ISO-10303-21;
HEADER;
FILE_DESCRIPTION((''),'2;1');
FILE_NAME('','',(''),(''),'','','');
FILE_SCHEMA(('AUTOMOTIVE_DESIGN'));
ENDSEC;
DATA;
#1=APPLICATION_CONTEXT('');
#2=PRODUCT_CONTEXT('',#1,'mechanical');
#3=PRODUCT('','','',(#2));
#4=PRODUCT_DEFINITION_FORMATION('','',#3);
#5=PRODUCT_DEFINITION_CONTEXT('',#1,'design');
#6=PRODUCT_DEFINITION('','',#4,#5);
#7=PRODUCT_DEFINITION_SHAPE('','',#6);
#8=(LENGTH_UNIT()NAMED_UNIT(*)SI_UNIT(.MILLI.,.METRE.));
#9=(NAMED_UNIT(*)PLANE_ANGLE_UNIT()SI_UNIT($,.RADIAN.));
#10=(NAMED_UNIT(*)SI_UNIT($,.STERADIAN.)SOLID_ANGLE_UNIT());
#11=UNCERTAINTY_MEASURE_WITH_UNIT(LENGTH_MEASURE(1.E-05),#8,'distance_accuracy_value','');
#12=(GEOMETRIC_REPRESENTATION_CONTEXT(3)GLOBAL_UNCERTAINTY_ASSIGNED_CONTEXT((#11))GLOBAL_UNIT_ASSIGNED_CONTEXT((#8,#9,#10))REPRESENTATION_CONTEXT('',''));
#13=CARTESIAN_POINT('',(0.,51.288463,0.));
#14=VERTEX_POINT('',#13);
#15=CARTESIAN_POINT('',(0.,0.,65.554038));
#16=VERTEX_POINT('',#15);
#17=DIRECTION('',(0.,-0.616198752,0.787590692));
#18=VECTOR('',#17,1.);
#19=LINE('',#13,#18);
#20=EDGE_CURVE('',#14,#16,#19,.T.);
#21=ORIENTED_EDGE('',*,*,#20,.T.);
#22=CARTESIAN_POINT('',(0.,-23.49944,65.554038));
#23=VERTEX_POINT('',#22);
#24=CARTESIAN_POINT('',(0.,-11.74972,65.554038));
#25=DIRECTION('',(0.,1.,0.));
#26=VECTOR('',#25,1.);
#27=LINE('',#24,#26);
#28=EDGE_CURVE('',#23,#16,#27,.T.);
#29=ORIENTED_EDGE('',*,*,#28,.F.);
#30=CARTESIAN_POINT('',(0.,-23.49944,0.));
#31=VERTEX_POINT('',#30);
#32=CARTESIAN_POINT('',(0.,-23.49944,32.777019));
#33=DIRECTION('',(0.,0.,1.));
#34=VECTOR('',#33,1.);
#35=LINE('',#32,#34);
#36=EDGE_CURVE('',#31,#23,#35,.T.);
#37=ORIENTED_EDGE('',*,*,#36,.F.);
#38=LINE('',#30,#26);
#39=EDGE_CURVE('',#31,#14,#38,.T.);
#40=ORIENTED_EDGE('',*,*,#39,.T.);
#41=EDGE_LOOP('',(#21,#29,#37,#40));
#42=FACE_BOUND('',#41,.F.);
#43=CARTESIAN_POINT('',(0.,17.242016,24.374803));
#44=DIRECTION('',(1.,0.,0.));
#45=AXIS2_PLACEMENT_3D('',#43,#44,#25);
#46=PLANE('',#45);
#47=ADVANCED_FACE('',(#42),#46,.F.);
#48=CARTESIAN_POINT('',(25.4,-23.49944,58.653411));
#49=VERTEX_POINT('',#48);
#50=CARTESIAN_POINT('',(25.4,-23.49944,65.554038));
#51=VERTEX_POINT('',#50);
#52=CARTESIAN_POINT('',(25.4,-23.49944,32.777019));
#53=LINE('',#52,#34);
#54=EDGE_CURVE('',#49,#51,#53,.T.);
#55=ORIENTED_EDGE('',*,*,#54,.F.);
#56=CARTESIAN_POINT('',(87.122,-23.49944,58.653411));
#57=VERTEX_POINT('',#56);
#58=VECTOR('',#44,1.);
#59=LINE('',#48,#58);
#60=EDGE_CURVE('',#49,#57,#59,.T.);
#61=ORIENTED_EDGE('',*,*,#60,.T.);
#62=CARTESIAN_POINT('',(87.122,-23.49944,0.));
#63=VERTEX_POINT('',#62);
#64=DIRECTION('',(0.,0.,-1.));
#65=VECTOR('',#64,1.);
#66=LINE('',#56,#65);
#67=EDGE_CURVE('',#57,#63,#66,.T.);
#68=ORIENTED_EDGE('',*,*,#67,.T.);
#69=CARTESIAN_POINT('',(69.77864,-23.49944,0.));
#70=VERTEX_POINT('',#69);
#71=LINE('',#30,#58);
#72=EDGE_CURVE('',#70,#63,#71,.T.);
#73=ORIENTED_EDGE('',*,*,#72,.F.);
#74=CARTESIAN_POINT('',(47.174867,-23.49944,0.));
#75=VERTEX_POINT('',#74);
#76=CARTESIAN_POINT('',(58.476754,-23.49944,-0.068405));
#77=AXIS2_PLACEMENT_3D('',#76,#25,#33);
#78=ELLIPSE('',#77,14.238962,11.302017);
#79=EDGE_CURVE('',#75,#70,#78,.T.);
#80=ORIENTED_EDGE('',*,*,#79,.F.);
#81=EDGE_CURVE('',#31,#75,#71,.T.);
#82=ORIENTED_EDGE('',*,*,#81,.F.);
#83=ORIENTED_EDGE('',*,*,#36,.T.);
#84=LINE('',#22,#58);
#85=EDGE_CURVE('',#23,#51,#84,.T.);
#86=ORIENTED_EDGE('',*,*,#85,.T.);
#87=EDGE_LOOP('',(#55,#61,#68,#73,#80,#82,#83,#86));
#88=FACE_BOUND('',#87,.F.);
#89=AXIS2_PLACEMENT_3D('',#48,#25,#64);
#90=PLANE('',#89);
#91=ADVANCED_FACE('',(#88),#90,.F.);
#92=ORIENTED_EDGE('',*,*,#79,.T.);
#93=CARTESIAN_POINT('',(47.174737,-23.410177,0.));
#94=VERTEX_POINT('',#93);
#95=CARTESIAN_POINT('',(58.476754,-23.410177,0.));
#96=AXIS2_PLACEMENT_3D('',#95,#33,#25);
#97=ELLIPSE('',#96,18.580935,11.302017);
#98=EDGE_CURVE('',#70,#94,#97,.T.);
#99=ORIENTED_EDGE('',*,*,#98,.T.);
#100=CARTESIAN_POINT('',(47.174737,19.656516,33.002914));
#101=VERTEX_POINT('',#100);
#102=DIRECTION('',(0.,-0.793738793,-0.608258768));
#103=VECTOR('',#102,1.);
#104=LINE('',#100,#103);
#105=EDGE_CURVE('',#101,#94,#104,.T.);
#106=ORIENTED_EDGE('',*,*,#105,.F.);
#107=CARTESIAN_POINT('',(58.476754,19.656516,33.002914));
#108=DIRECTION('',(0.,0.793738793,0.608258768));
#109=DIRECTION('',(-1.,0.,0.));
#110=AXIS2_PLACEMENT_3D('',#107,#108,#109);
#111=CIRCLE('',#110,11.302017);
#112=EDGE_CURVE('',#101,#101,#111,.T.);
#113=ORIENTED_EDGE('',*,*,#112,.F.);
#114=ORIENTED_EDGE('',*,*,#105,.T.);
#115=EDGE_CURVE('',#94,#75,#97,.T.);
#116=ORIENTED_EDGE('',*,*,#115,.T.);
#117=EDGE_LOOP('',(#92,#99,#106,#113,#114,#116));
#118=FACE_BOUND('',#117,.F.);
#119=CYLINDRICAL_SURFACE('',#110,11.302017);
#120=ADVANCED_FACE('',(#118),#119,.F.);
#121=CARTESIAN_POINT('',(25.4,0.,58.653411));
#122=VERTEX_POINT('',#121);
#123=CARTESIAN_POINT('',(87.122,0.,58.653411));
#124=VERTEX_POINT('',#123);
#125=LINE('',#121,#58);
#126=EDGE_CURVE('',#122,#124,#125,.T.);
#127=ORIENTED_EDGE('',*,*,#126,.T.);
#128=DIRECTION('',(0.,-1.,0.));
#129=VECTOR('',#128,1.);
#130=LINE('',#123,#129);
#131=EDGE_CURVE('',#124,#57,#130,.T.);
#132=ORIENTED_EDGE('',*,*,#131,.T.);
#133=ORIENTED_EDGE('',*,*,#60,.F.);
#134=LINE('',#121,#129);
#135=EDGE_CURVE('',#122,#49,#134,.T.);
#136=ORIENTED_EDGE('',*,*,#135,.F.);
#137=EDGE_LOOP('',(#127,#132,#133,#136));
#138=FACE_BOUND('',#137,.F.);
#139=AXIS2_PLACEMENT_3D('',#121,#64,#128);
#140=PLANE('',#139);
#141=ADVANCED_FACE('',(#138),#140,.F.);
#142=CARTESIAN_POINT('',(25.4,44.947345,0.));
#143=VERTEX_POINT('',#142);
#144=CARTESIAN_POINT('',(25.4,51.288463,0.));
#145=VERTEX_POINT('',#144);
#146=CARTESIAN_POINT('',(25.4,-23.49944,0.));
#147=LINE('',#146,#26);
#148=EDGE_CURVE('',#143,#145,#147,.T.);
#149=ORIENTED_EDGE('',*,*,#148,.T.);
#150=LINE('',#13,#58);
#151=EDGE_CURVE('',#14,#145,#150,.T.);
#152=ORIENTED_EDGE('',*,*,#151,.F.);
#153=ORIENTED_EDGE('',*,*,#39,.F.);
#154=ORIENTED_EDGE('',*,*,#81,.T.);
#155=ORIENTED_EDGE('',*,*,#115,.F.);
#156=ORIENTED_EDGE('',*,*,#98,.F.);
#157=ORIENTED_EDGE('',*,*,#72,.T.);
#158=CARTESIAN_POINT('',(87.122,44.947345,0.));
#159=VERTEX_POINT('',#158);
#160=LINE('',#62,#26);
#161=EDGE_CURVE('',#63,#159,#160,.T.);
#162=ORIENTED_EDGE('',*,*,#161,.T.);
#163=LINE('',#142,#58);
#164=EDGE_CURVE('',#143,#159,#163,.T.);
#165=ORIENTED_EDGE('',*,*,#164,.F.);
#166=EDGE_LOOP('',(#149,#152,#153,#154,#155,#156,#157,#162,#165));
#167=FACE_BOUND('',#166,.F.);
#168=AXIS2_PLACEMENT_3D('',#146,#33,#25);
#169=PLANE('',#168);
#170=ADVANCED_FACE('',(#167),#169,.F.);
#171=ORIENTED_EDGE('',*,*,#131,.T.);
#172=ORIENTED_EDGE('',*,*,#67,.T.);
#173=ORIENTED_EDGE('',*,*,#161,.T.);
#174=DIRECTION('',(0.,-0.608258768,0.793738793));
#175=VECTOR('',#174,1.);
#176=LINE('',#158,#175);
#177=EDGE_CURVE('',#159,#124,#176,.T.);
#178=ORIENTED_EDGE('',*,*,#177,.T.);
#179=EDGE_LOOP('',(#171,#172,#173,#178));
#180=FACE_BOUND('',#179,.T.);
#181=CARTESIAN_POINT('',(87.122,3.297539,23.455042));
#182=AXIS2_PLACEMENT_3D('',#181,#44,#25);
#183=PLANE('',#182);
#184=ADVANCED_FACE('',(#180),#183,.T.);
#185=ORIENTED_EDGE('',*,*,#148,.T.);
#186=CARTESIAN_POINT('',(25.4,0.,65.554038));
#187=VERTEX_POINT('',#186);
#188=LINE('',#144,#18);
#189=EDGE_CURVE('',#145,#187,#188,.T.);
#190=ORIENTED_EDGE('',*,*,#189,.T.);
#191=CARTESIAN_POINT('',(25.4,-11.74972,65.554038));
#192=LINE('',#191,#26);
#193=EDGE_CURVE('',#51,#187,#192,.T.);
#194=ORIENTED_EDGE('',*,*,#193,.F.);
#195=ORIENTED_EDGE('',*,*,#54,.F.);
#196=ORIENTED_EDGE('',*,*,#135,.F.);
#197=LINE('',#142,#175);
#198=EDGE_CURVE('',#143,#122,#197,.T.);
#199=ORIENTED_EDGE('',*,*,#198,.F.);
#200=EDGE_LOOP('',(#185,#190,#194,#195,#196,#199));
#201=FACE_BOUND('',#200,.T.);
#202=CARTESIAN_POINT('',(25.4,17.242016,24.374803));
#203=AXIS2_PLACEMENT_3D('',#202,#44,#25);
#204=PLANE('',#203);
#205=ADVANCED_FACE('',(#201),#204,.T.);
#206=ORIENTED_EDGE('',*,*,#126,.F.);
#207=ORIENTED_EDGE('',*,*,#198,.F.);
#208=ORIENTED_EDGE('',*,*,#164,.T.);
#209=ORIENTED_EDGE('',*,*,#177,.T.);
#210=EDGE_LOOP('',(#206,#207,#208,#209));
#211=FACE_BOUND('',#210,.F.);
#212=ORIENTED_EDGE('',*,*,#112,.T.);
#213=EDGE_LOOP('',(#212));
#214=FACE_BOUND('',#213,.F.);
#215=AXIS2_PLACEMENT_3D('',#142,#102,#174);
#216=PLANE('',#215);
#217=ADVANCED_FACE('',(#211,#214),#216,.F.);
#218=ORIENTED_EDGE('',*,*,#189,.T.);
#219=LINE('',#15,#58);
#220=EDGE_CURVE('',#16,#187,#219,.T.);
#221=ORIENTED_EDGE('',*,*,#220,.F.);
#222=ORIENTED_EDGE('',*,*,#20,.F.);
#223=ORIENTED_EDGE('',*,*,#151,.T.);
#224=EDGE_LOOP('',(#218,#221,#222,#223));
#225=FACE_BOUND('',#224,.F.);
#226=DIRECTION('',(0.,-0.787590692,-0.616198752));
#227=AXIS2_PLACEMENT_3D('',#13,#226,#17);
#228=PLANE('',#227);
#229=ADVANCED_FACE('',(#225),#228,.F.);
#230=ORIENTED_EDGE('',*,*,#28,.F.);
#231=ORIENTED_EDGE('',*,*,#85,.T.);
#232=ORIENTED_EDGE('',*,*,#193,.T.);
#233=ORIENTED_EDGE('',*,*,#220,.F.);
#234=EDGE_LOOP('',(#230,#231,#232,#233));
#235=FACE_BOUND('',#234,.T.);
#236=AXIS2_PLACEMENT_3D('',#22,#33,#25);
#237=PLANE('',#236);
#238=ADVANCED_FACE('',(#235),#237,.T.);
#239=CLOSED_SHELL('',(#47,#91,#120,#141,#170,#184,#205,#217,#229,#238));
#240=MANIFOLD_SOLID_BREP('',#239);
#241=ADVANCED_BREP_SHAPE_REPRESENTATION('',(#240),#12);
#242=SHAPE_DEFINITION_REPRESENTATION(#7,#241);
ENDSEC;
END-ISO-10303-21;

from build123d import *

# Parameters (mm, degrees)
F0_W     = 23.4994404018
F0_H     = 65.5540376902
F1_DEPTH = 25.4
F3_DEPTH = 61.722
F4_R     = 11.3020166748
F5_DEPTH = 63.754


with BuildPart() as f1:
    # F0 (on Right) → F1 (new body)
    with BuildSketch(Plane.YZ):
        Polygon((0, 65.5540376902), (0, 0), (51.2884631753, 0), align=None)
        with Locations((-11.7497202009, 32.7770188451)):
            Rectangle(F0_W, F0_H)
    extrude(amount=F1_DEPTH)

    # F2 (on face) → F3 (join)
    with BuildSketch(Plane.YZ.offset(25.4)):
        Polygon((0, 58.6534105241), (-23.4994404018, 58.6534105241), (-23.4994404018, 0), (44.9473448098, 0), align=None)
    extrude(amount=F3_DEPTH)

    # F4 (on face) → F5 (cut)
    with BuildSketch(Plane(origin=(0, 28.3177833218, 21.7005142555), x_dir=(-1, 0, 0), z_dir=(0, 0.7937387929, 0.6082587678))):
        with Locations((-58.4767535329, 14.2394453287)):
            Circle(F4_R)
    extrude(amount=-F5_DEPTH, mode=Mode.SUBTRACT)


solid = f1.part
